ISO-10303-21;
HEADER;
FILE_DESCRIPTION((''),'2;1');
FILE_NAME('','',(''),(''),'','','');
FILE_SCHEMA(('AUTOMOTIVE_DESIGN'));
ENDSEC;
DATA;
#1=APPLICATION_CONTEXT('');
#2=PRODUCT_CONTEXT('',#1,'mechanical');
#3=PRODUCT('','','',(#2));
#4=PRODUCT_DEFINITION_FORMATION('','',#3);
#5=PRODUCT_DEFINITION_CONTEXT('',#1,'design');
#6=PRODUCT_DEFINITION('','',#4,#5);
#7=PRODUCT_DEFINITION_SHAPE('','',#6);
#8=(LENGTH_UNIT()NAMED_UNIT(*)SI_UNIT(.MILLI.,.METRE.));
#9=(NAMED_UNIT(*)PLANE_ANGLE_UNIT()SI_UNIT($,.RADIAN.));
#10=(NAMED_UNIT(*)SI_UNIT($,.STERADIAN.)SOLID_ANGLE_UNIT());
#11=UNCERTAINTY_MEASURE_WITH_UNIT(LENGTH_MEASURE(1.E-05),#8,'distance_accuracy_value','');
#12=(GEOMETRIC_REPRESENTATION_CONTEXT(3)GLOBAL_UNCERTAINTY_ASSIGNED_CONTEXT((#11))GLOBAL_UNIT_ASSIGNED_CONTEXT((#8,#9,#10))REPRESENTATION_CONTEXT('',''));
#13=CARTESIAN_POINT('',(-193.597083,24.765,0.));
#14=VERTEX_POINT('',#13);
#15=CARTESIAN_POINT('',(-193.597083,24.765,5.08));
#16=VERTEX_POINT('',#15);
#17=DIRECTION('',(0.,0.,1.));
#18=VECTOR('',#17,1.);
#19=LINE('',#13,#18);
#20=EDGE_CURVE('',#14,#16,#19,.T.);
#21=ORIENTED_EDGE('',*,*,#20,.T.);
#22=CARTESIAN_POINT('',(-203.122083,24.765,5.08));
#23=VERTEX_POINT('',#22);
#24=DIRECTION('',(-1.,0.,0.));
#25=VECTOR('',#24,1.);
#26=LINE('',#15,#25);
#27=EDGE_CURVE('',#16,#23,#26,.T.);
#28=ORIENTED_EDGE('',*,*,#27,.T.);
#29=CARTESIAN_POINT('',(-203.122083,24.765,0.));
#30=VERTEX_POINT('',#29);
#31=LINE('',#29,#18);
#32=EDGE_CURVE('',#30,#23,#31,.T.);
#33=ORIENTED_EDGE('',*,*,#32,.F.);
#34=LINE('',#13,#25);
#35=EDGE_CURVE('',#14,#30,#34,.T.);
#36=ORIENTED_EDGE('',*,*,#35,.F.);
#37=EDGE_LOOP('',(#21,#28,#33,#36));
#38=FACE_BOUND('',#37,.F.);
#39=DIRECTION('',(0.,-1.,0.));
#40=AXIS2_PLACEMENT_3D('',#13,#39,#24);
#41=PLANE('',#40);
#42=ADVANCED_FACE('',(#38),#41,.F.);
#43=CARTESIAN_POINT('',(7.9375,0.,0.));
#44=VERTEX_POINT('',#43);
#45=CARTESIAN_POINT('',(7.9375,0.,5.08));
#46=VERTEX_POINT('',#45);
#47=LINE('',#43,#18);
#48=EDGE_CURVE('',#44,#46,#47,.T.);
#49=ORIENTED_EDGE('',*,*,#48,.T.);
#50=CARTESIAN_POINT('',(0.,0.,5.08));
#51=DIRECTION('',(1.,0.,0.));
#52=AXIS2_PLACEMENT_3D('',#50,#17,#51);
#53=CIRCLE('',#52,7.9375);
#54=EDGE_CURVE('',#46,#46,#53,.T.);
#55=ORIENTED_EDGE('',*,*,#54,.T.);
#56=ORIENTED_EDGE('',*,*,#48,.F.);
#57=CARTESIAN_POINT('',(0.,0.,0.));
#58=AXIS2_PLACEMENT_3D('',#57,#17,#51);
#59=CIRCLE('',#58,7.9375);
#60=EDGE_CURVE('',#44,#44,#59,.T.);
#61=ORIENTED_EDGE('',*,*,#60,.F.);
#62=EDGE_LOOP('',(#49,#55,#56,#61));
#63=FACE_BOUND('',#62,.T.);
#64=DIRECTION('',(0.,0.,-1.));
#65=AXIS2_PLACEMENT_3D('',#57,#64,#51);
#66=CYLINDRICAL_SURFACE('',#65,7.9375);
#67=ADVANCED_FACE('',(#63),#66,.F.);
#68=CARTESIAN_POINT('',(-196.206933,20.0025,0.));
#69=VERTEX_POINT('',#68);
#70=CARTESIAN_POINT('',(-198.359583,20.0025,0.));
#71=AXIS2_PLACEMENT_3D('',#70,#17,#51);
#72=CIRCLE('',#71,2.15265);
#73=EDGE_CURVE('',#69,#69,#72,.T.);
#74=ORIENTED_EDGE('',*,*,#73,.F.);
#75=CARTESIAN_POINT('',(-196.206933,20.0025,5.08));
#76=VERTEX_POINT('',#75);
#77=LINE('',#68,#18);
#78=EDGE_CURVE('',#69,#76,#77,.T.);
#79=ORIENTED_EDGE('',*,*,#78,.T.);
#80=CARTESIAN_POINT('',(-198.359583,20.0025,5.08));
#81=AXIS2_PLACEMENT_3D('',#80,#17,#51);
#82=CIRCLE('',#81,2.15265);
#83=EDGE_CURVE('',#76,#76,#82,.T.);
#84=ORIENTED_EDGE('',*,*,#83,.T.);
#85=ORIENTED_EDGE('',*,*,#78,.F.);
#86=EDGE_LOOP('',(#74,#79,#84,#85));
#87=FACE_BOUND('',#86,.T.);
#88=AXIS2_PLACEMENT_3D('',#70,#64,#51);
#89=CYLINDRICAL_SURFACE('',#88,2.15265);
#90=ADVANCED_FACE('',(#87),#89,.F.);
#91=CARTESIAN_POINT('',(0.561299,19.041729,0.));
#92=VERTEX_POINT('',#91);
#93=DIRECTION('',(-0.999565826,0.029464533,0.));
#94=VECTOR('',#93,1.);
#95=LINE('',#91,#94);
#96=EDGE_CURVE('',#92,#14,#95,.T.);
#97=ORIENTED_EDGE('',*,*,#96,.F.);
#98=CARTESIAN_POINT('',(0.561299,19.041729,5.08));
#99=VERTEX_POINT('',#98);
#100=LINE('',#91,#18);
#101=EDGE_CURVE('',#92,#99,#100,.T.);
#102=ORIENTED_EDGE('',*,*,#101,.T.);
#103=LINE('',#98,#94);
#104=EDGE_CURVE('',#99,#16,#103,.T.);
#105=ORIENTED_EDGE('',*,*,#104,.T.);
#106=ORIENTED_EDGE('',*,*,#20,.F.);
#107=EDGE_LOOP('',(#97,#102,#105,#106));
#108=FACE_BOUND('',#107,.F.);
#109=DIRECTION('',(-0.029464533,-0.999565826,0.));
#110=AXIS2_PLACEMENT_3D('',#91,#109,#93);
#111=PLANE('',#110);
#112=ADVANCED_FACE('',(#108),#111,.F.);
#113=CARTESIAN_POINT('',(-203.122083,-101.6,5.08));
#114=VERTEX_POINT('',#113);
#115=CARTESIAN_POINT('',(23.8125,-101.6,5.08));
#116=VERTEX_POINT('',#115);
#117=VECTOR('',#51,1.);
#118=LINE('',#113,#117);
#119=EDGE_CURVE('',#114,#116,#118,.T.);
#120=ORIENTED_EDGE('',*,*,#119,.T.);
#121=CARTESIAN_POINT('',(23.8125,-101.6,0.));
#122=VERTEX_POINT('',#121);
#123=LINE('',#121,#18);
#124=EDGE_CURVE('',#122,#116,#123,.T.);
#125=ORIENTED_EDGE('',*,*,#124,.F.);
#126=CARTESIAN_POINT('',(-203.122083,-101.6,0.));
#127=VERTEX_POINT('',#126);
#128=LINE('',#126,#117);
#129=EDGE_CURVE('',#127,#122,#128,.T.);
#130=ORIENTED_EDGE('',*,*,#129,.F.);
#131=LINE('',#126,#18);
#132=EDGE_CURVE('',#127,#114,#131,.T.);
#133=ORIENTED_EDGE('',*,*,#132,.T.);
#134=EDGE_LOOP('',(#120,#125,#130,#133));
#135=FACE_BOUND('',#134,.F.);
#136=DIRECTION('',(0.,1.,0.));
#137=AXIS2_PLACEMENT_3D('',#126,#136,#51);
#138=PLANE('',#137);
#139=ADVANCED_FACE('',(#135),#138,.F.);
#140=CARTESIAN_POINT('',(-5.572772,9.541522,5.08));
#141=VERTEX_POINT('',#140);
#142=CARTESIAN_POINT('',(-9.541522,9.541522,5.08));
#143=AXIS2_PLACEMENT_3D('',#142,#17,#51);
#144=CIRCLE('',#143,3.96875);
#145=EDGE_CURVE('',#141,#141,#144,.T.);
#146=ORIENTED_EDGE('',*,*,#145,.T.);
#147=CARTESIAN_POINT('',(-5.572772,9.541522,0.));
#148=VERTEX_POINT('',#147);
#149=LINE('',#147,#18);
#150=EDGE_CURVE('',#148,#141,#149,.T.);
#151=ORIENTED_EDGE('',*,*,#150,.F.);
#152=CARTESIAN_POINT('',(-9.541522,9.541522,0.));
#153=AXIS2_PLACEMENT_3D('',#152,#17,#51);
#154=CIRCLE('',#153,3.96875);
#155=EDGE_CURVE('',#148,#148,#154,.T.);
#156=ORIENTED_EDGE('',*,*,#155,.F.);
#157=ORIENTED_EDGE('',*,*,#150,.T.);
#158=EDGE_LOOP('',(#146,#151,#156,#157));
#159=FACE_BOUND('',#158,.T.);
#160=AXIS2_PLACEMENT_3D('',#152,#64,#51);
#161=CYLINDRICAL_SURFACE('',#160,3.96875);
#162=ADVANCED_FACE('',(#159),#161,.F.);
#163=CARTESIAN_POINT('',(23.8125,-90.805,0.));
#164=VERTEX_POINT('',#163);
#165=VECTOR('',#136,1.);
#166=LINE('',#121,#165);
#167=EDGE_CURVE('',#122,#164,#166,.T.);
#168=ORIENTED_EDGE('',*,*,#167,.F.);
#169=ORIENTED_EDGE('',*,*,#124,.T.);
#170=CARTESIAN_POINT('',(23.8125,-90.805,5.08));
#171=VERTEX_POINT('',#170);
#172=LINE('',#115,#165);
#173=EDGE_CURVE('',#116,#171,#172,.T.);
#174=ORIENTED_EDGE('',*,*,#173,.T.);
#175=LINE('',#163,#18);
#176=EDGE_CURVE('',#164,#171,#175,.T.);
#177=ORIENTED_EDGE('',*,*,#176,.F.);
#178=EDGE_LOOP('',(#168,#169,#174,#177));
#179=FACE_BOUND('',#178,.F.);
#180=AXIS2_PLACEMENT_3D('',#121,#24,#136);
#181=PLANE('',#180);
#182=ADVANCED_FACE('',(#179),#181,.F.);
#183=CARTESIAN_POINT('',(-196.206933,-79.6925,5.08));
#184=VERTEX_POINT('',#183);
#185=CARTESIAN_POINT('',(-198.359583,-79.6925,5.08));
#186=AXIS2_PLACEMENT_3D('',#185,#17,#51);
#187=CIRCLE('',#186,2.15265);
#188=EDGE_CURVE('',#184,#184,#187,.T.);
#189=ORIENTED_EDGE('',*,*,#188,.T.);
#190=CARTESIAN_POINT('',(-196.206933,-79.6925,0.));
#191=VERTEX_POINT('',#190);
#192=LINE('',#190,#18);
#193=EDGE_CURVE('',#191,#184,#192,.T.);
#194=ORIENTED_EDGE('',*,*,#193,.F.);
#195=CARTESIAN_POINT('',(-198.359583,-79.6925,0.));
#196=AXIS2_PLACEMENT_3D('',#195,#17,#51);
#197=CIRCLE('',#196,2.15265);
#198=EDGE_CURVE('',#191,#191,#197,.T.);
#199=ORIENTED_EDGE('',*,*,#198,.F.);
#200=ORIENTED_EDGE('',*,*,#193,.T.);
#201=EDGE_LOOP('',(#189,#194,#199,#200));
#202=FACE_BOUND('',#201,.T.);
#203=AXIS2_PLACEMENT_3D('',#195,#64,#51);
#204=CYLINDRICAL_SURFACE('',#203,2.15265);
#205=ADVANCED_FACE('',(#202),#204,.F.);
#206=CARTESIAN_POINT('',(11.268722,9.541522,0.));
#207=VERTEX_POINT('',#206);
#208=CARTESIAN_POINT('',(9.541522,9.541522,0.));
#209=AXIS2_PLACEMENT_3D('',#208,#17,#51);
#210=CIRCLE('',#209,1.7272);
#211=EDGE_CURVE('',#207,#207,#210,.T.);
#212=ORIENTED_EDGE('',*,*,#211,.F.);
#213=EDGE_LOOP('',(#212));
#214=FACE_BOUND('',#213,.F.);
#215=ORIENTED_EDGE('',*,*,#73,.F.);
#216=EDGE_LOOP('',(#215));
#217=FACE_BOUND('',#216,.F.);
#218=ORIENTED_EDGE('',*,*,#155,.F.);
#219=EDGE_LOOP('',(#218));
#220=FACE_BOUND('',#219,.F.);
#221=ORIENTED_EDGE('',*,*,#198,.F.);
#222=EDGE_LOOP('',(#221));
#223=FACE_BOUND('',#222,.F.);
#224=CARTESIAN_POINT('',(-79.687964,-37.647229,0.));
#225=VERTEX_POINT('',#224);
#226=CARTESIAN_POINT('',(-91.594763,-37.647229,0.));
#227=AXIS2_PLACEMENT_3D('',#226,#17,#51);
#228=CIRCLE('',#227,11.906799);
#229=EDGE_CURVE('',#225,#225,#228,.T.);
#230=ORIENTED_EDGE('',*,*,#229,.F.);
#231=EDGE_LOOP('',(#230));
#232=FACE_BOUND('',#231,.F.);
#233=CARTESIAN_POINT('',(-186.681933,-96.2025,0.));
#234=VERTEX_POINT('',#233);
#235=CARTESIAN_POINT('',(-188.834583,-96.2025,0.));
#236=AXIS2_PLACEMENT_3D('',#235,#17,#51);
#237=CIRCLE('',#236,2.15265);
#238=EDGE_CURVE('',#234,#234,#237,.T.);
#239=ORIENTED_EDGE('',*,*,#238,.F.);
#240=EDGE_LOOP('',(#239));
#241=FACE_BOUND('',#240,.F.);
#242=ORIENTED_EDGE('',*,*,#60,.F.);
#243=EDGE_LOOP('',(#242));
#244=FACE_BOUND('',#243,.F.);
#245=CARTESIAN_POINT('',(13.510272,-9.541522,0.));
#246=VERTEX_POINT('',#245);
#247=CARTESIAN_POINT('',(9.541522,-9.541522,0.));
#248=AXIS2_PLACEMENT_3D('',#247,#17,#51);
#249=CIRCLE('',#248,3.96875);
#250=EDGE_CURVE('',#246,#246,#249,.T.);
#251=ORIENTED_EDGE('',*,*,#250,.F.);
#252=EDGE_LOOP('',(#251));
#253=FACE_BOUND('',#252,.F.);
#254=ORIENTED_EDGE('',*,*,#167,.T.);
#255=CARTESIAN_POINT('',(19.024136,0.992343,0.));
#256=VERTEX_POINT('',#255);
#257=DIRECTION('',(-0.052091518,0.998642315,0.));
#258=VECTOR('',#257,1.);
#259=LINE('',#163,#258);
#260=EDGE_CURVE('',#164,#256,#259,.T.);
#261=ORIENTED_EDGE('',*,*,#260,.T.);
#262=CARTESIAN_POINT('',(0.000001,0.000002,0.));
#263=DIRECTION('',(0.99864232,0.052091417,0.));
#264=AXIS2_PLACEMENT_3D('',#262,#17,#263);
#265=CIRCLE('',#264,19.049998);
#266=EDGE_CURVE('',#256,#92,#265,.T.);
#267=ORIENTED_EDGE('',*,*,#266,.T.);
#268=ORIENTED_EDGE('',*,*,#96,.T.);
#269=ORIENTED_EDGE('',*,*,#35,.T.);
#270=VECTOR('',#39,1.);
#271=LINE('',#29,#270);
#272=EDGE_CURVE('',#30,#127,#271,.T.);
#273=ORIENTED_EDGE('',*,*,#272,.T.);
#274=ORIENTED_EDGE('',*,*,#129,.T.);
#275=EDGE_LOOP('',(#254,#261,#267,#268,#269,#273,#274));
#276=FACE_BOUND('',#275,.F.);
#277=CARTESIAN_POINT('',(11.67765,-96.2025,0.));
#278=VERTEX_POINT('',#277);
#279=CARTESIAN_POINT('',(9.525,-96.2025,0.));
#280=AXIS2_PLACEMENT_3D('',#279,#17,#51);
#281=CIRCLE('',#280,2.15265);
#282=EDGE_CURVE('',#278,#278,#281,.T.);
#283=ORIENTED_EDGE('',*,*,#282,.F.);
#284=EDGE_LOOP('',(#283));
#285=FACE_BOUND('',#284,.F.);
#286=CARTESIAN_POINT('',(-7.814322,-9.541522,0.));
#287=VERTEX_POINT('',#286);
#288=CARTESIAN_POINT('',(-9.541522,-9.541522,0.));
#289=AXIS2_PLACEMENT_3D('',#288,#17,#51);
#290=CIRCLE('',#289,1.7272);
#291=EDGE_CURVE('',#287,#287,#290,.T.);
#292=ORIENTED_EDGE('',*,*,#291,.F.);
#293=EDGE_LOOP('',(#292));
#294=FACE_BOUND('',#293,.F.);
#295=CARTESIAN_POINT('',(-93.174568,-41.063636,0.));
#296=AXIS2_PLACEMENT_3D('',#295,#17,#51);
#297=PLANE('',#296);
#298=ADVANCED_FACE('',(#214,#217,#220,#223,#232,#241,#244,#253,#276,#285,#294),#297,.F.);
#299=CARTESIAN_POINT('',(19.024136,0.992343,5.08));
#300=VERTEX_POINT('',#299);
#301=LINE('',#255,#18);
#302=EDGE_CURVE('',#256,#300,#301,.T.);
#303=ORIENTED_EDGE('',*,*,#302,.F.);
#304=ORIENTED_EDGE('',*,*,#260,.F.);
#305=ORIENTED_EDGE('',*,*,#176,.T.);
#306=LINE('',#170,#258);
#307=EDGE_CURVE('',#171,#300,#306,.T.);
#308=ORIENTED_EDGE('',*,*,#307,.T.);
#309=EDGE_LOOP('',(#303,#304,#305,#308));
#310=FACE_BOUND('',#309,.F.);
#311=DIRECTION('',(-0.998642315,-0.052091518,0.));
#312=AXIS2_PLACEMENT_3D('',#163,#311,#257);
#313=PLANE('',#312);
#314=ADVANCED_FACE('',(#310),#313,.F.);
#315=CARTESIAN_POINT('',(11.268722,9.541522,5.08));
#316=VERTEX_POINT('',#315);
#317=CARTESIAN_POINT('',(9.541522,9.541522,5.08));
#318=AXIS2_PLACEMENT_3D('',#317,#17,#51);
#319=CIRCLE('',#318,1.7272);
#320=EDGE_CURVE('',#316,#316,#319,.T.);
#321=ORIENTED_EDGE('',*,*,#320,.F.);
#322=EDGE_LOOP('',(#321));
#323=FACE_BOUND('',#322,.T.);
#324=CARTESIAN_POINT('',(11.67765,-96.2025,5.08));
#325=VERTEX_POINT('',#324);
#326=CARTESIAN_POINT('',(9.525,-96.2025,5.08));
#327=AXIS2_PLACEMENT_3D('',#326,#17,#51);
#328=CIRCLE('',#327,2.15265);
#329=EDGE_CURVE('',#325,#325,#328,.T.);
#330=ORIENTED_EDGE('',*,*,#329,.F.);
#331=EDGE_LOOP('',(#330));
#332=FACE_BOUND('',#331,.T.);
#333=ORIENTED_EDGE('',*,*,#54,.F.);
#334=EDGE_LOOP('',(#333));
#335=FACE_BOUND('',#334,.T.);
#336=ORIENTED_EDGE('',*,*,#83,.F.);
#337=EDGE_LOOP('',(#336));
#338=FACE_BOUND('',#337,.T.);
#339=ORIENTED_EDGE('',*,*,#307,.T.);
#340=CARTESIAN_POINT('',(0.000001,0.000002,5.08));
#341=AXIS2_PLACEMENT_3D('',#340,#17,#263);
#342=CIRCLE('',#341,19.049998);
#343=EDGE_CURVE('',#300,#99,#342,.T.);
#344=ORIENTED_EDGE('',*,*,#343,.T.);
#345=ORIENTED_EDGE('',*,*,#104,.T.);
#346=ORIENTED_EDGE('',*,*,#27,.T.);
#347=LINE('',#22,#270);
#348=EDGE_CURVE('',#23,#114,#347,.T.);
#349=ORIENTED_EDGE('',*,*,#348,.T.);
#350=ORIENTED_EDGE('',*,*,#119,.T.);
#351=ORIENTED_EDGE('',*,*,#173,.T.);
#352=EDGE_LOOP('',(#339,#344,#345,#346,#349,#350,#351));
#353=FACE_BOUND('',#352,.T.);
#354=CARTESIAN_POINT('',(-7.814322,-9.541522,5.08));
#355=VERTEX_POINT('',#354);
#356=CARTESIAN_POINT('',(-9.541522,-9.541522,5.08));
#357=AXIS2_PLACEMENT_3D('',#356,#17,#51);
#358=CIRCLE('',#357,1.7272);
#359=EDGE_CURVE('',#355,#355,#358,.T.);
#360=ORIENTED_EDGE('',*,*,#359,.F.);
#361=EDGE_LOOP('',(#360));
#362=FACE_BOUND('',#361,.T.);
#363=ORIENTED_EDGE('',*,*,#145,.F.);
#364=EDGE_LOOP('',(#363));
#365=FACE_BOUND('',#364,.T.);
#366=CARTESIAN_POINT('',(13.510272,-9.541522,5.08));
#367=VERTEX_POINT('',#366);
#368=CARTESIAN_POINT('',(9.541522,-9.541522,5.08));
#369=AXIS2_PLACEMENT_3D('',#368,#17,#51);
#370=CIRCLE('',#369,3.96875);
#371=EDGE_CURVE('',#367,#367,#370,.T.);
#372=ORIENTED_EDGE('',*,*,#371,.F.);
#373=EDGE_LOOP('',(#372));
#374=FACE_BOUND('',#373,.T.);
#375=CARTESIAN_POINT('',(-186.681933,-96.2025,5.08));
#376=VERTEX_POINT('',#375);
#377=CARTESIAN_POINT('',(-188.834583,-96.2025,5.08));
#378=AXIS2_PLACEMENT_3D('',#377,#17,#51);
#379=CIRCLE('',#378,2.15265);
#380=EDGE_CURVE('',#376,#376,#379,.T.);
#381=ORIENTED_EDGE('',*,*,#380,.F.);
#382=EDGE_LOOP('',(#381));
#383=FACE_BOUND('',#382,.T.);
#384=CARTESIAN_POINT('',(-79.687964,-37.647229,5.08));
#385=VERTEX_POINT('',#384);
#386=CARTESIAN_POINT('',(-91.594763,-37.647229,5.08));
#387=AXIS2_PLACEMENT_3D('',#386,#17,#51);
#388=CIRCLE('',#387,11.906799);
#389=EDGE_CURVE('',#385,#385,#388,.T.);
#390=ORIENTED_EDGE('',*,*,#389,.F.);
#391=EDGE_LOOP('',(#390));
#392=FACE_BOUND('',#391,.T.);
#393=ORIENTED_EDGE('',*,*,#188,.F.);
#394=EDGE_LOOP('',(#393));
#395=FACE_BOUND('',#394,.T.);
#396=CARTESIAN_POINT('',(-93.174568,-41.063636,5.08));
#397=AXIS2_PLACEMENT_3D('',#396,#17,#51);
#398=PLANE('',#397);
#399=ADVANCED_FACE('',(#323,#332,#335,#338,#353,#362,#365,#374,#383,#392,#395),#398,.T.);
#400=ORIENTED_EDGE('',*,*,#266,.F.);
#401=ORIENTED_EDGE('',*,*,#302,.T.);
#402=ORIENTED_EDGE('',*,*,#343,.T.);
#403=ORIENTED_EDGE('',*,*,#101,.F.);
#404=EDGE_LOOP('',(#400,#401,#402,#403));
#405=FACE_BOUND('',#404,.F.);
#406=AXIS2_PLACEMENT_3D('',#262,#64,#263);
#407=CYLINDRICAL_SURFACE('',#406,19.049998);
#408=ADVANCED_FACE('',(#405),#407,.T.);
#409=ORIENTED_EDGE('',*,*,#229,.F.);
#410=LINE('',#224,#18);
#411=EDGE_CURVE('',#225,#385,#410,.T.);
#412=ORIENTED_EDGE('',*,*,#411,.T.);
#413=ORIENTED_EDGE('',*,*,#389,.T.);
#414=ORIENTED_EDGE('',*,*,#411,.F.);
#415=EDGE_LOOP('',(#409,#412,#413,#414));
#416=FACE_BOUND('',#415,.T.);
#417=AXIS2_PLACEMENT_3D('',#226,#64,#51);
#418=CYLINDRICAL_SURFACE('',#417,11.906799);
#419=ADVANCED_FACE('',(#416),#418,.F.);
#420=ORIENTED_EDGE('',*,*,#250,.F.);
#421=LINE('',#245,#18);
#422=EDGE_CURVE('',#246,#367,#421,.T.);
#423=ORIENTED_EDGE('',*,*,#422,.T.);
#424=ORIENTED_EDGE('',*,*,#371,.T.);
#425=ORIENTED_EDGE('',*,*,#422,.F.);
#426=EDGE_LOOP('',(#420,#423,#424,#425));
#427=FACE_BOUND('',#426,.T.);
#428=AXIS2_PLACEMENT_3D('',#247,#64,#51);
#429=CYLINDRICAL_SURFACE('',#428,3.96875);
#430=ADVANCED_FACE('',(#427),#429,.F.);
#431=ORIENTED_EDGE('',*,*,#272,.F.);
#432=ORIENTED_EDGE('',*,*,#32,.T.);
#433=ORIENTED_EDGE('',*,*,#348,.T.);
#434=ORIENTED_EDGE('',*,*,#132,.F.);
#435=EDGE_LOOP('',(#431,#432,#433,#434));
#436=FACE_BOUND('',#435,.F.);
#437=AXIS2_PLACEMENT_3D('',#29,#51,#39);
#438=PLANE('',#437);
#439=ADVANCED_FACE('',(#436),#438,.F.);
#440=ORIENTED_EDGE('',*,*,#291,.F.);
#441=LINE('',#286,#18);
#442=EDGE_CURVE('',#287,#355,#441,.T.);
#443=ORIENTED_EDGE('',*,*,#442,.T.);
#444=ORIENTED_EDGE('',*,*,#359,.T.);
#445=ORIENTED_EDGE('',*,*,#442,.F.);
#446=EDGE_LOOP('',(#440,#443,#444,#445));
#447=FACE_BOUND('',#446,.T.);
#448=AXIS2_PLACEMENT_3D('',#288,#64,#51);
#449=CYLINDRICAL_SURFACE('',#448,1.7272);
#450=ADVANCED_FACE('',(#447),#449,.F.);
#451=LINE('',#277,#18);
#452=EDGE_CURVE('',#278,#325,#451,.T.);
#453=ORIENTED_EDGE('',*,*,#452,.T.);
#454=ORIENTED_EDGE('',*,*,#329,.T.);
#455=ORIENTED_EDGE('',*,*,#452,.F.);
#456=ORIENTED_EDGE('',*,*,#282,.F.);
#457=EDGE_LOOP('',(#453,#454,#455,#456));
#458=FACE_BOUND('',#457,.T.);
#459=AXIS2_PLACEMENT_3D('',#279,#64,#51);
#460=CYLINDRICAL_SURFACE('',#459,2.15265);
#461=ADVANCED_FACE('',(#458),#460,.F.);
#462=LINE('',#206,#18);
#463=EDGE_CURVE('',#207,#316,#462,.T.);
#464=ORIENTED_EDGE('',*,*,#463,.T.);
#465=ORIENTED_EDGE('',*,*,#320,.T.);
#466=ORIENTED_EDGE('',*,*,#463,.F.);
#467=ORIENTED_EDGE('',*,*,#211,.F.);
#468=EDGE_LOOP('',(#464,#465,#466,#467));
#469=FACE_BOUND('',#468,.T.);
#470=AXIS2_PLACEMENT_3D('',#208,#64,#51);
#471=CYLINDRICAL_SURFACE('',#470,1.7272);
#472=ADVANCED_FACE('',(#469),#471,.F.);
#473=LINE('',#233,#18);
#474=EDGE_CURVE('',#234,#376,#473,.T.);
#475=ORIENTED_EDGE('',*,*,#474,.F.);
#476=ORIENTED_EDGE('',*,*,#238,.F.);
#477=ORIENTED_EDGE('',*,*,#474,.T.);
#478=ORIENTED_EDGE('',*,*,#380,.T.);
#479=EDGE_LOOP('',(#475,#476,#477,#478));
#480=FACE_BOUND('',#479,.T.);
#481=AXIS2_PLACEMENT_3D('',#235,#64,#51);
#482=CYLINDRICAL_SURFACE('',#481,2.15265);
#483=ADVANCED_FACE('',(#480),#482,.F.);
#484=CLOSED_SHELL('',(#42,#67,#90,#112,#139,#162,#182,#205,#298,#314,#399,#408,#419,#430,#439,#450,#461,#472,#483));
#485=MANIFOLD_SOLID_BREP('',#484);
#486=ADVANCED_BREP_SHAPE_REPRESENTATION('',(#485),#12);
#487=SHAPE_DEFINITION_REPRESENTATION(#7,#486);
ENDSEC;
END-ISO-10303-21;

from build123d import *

# Parameters (mm, degrees)
F0_R     = 2.15265
F0_R_2   = 11.906799
F0_R_3   = 1.7272
F0_R_4   = 3.96875
F0_R_5   = 7.9375
F1_DEPTH = 5.08


with BuildPart() as f1:
    # F0 (on Top) → F1 (new body)
    with BuildSketch(Plane.XY):
        with BuildLine():
            Line((0.561299, 19.041729), (-193.597083, 24.765))
            Line((-193.597083, 24.765), (-203.122083, 24.765))
            Line((-203.122083, 24.765), (-203.122083, -101.6))
            Line((-203.122083, -101.6), (23.8125, -101.6))
            Line((23.8125, -101.6), (23.8125, -90.805))
            Line((23.8125, -90.805), (19.024136, 0.992343))
            ThreePointArc((19.024136, 0.992343), (13.316997, 13.622045), (0.561299, 19.041729))
        make_face()
        with Locations((-188.834583, -96.2025)):
            Circle(F0_R, mode=Mode.SUBTRACT)
        with Locations((-198.359583, -79.6925)):
            Circle(F0_R, mode=Mode.SUBTRACT)
        with Locations((9.525, -96.2025)):
            Circle(F0_R, mode=Mode.SUBTRACT)
        with Locations((-91.594763, -37.647229)):
            Circle(F0_R_2, mode=Mode.SUBTRACT)
        with Locations((-198.359583, 20.0025)):
            Circle(F0_R, mode=Mode.SUBTRACT)
        with Locations((-9.541522, -9.541522)):
            Circle(F0_R_3, mode=Mode.SUBTRACT)
        with Locations((9.541522, -9.541522)):
            Circle(F0_R_4, mode=Mode.SUBTRACT)
        Circle(F0_R_5, mode=Mode.SUBTRACT)
        with Locations((-9.541522, 9.541522)):
            Circle(F0_R_4, mode=Mode.SUBTRACT)
        with Locations((9.541522, 9.541522)):
            Circle(F0_R_3, mode=Mode.SUBTRACT)
    extrude(amount=F1_DEPTH)


solid = f1.part
